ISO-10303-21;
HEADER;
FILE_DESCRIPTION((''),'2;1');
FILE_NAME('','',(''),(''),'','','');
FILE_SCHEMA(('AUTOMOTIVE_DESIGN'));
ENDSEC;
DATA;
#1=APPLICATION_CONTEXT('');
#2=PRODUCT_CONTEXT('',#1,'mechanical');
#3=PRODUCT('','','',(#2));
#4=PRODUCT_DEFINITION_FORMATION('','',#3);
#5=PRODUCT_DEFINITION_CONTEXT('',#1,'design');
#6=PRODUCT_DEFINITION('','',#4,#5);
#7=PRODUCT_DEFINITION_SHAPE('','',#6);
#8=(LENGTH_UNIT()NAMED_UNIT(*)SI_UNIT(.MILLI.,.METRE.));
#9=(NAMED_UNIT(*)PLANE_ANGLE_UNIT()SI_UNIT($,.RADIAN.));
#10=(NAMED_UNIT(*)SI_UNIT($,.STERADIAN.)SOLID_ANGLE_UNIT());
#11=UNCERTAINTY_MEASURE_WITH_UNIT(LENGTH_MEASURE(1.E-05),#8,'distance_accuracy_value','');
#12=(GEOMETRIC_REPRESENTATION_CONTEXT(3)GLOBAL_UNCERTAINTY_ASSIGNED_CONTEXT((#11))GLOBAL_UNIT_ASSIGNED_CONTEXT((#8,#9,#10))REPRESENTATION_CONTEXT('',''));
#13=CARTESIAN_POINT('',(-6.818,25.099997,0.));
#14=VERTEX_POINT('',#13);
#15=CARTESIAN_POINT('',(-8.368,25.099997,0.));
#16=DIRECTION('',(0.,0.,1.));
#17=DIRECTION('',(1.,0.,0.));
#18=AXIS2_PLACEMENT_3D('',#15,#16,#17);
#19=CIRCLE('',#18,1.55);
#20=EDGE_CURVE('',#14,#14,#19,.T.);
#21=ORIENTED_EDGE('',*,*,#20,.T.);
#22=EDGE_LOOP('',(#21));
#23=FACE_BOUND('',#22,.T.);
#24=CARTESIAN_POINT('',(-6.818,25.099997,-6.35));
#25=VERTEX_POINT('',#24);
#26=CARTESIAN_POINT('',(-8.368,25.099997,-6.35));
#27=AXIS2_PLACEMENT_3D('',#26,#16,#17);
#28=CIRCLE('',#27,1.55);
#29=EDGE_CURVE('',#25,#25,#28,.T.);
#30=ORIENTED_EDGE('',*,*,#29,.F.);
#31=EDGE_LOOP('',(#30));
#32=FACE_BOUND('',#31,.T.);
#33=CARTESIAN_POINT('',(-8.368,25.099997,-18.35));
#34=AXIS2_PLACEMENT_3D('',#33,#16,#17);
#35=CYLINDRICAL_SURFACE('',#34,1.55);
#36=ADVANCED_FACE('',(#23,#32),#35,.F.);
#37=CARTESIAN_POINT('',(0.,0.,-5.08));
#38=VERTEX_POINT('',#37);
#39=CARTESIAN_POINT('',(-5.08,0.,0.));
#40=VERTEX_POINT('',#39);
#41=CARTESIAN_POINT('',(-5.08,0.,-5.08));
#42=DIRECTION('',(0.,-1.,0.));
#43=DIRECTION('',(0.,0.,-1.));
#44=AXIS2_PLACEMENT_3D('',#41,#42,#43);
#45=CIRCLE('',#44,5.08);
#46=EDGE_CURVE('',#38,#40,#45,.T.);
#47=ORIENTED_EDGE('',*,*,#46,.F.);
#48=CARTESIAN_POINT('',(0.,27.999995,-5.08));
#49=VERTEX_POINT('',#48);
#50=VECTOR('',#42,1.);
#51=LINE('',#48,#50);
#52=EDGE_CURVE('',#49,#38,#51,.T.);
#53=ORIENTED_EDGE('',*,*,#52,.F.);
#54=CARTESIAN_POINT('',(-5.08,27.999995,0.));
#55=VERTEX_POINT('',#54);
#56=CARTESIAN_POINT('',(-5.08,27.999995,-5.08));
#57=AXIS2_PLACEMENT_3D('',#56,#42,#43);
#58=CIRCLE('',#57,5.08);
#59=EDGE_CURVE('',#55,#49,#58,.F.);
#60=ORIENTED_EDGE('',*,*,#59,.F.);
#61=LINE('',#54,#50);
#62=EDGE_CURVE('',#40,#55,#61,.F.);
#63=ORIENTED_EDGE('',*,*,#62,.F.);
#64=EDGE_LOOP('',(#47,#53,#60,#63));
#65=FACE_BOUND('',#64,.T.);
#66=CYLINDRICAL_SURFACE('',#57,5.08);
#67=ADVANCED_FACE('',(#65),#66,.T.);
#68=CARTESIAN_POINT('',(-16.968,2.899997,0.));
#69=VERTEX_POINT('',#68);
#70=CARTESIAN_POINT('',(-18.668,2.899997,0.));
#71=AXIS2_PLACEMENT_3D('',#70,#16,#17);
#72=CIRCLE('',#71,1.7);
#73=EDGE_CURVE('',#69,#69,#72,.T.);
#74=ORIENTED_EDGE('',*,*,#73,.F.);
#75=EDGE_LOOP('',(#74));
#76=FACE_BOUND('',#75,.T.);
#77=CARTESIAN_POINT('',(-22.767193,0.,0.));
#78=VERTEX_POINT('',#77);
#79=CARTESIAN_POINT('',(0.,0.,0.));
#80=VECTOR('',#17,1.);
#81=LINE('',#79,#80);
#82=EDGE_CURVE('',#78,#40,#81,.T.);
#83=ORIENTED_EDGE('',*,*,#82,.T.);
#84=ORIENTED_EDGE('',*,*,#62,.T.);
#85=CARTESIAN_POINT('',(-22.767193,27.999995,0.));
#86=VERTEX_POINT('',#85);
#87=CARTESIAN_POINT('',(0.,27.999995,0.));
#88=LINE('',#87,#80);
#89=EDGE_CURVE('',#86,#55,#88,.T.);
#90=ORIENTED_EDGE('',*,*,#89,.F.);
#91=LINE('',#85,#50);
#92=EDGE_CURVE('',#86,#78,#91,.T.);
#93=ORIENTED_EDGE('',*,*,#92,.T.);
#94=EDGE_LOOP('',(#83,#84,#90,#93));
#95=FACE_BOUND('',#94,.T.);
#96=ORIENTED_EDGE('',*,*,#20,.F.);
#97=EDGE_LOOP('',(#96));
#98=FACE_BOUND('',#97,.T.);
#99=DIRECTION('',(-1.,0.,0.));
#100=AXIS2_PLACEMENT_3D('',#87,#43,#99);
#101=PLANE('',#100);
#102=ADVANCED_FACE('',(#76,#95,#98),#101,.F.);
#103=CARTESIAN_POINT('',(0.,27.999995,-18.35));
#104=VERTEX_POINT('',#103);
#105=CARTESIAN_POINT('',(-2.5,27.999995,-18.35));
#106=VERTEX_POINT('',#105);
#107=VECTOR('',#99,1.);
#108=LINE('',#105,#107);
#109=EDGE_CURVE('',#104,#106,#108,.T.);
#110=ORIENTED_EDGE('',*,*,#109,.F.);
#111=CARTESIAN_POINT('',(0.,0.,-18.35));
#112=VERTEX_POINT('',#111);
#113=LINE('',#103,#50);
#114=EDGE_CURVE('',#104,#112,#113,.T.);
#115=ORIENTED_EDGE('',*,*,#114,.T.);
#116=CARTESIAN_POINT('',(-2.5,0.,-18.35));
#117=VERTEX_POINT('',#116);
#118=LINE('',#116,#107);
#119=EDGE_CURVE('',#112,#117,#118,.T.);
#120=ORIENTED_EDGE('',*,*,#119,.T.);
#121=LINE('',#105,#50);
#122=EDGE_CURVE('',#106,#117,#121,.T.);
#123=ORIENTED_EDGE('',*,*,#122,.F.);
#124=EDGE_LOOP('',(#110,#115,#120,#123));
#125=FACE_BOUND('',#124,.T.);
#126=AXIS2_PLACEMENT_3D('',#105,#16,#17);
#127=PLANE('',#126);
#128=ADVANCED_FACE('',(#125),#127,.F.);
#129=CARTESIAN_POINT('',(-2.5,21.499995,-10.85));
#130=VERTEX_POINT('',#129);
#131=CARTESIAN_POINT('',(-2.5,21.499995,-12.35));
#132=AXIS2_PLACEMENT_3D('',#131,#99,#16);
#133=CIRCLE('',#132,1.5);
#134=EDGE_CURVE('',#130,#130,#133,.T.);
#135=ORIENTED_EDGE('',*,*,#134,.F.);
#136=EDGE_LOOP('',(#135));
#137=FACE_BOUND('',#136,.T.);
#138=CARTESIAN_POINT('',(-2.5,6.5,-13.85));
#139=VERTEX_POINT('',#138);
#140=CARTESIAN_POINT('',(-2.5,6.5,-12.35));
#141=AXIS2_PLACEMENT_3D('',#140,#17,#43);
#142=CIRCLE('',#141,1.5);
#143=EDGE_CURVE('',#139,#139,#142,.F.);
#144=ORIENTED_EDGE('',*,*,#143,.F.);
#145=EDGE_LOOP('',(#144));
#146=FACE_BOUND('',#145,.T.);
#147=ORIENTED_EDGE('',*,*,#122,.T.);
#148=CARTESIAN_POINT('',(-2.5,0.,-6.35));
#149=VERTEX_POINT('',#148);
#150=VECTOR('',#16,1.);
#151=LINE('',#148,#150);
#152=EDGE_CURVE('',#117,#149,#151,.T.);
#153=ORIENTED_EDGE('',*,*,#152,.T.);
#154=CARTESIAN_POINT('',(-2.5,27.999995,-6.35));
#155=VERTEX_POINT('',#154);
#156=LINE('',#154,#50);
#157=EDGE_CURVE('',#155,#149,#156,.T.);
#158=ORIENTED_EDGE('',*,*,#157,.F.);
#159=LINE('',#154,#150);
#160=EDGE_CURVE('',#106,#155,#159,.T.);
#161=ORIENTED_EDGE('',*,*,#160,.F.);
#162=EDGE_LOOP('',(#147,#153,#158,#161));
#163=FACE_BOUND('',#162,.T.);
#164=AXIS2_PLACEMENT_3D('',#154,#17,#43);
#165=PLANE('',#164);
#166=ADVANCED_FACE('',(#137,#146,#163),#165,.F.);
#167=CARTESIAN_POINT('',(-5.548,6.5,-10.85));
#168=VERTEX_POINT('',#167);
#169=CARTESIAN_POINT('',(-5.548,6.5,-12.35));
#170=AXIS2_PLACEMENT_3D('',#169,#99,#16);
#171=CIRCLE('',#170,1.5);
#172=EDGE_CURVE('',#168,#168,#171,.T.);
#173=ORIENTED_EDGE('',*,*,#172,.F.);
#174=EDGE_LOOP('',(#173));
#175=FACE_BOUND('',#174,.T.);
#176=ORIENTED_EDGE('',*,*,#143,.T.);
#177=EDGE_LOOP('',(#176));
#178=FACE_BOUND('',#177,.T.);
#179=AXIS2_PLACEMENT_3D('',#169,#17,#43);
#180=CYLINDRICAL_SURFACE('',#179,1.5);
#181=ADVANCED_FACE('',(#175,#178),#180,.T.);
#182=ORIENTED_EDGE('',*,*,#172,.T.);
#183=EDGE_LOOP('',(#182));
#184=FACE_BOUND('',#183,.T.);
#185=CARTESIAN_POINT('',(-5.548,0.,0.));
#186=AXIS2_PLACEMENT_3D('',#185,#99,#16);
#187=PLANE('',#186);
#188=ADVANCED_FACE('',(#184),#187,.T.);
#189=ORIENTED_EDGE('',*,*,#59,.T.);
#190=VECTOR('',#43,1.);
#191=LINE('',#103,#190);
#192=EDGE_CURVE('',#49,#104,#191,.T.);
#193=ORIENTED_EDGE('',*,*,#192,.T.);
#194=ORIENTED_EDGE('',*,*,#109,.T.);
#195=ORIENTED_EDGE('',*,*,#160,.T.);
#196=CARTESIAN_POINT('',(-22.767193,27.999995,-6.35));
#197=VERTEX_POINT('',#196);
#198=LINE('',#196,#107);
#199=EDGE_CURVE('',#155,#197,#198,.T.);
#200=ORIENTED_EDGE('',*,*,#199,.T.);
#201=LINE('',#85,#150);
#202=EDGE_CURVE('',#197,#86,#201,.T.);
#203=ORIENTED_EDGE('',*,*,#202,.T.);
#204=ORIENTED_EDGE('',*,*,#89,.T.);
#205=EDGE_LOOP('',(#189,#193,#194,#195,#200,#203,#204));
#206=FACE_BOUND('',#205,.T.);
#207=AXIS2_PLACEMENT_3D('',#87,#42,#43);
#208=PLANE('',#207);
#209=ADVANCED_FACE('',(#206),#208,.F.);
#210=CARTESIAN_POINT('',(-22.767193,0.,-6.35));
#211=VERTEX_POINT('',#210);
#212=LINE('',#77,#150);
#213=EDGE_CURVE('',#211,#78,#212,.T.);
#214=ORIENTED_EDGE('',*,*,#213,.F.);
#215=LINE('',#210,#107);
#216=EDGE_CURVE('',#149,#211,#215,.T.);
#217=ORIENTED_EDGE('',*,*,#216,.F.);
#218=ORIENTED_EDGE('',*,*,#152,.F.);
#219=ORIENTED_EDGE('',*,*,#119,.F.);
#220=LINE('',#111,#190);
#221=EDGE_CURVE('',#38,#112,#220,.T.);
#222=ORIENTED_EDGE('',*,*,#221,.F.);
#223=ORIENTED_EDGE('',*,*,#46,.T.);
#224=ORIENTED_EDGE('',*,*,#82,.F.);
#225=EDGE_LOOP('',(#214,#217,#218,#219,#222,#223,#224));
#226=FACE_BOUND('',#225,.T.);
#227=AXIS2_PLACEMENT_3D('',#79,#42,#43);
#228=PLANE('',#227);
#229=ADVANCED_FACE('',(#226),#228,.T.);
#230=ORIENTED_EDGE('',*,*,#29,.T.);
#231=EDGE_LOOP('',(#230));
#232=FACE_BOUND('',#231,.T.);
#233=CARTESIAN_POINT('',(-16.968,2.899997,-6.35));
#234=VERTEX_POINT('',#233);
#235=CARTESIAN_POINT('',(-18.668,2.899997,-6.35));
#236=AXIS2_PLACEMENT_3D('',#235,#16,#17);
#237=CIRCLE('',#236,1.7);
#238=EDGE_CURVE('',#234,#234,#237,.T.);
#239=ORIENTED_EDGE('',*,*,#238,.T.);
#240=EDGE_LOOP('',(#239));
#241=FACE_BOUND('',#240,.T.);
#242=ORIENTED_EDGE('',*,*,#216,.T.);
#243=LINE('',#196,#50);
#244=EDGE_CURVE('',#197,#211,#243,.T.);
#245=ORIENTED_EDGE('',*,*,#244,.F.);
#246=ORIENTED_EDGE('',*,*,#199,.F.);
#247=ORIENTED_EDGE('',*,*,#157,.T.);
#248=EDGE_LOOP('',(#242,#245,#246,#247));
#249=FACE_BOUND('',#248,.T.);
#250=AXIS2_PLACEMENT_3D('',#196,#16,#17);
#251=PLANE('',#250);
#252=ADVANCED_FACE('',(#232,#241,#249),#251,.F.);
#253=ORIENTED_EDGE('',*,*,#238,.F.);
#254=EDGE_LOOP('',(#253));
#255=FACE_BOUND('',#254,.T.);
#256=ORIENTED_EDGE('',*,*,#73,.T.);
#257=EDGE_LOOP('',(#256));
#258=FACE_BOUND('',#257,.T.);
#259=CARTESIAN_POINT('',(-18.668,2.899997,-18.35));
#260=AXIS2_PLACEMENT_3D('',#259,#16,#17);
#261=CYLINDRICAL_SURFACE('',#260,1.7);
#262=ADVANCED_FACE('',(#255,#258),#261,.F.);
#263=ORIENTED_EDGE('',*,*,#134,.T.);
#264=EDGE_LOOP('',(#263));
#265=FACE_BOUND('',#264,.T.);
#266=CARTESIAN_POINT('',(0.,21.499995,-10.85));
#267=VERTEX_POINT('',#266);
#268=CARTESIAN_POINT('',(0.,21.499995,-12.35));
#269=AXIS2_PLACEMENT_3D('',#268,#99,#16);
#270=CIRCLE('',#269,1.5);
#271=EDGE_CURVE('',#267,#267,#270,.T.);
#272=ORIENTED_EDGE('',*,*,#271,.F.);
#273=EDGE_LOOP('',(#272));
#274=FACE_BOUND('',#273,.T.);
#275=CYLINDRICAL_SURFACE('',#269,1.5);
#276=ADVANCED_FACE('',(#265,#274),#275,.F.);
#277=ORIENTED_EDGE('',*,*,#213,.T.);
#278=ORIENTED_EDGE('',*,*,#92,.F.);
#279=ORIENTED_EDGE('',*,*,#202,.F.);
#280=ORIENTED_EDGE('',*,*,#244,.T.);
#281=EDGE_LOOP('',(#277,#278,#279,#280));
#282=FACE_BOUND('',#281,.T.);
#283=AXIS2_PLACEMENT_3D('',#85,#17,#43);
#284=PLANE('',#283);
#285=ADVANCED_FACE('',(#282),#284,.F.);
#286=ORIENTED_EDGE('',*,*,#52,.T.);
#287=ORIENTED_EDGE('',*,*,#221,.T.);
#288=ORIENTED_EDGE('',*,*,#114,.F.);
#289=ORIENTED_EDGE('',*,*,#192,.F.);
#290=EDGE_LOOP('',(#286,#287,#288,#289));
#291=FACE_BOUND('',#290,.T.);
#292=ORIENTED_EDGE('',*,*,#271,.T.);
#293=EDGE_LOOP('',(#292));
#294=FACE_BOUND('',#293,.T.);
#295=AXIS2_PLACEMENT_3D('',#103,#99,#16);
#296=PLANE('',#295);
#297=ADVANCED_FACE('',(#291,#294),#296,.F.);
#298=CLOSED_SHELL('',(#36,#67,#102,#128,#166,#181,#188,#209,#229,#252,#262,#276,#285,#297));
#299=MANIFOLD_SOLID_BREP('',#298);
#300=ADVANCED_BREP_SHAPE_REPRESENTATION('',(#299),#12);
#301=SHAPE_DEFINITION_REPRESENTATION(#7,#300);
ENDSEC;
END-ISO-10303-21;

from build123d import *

# Parameters (mm, degrees)
BOSS_EXTRUDE1_DEPTH = 27.9999948
SKETCH2_R           = 1.5
CUT_EXTRUDE1_DEPTH  = 3.5
SKETCH3_R           = 1.55
SKETCH3_R_2         = 1.7
CUT_EXTRUDE2_DEPTH  = 19.35
FILLET1_R           = 5.08
SKETCH2_3_R         = 1.5
BOSS_EXTRUDE2_DEPTH = 3.048


with BuildPart() as part:
    # Sketch1 → Boss-Extrude1 (new body)
    with BuildSketch(Plane(origin=(0, 0, 0), x_dir=(1, 0, 0), z_dir=(0, 1, 0))):
        Polygon((0, 18.35), (0, 0), (-22.7671934, 0), (-22.7671934, 6.35), (-2.5, 6.35), (-2.5, 18.35), align=None)
    extrude(amount=BOSS_EXTRUDE1_DEPTH)

    # Sketch2 → Cut-Extrude1 (cut, through all)
    with BuildSketch(Plane.ZY.offset(2.5)):
        with Locations((-12.35, 21.4999951)):
            Circle(SKETCH2_R)
    extrude(amount=-CUT_EXTRUDE1_DEPTH, mode=Mode.SUBTRACT)

    # Sketch3 → Cut-Extrude2 (cut, through all)
    with BuildSketch(Plane.XY):
        with Locations((-8.368, 25.0999974)):
            Circle(SKETCH3_R)
        with Locations((-18.668, 2.8999974)):
            Circle(SKETCH3_R_2)
    extrude(amount=-CUT_EXTRUDE2_DEPTH, mode=Mode.SUBTRACT)

    # Fillet1
    fillet1_edges = [part.edges().sort_by_distance(p)[0] for p in [
        (0, 13.9999974, 0),
    ]]
    fillet(fillet1_edges, radius=FILLET1_R)

    # Sketch2<3> → Boss-Extrude2 (add)
    with BuildSketch(Plane.ZY.offset(2.5)):
        with Locations((-12.35, 6.4999997)):
            Circle(SKETCH2_3_R)
    extrude(amount=BOSS_EXTRUDE2_DEPTH)


solid = part.part
